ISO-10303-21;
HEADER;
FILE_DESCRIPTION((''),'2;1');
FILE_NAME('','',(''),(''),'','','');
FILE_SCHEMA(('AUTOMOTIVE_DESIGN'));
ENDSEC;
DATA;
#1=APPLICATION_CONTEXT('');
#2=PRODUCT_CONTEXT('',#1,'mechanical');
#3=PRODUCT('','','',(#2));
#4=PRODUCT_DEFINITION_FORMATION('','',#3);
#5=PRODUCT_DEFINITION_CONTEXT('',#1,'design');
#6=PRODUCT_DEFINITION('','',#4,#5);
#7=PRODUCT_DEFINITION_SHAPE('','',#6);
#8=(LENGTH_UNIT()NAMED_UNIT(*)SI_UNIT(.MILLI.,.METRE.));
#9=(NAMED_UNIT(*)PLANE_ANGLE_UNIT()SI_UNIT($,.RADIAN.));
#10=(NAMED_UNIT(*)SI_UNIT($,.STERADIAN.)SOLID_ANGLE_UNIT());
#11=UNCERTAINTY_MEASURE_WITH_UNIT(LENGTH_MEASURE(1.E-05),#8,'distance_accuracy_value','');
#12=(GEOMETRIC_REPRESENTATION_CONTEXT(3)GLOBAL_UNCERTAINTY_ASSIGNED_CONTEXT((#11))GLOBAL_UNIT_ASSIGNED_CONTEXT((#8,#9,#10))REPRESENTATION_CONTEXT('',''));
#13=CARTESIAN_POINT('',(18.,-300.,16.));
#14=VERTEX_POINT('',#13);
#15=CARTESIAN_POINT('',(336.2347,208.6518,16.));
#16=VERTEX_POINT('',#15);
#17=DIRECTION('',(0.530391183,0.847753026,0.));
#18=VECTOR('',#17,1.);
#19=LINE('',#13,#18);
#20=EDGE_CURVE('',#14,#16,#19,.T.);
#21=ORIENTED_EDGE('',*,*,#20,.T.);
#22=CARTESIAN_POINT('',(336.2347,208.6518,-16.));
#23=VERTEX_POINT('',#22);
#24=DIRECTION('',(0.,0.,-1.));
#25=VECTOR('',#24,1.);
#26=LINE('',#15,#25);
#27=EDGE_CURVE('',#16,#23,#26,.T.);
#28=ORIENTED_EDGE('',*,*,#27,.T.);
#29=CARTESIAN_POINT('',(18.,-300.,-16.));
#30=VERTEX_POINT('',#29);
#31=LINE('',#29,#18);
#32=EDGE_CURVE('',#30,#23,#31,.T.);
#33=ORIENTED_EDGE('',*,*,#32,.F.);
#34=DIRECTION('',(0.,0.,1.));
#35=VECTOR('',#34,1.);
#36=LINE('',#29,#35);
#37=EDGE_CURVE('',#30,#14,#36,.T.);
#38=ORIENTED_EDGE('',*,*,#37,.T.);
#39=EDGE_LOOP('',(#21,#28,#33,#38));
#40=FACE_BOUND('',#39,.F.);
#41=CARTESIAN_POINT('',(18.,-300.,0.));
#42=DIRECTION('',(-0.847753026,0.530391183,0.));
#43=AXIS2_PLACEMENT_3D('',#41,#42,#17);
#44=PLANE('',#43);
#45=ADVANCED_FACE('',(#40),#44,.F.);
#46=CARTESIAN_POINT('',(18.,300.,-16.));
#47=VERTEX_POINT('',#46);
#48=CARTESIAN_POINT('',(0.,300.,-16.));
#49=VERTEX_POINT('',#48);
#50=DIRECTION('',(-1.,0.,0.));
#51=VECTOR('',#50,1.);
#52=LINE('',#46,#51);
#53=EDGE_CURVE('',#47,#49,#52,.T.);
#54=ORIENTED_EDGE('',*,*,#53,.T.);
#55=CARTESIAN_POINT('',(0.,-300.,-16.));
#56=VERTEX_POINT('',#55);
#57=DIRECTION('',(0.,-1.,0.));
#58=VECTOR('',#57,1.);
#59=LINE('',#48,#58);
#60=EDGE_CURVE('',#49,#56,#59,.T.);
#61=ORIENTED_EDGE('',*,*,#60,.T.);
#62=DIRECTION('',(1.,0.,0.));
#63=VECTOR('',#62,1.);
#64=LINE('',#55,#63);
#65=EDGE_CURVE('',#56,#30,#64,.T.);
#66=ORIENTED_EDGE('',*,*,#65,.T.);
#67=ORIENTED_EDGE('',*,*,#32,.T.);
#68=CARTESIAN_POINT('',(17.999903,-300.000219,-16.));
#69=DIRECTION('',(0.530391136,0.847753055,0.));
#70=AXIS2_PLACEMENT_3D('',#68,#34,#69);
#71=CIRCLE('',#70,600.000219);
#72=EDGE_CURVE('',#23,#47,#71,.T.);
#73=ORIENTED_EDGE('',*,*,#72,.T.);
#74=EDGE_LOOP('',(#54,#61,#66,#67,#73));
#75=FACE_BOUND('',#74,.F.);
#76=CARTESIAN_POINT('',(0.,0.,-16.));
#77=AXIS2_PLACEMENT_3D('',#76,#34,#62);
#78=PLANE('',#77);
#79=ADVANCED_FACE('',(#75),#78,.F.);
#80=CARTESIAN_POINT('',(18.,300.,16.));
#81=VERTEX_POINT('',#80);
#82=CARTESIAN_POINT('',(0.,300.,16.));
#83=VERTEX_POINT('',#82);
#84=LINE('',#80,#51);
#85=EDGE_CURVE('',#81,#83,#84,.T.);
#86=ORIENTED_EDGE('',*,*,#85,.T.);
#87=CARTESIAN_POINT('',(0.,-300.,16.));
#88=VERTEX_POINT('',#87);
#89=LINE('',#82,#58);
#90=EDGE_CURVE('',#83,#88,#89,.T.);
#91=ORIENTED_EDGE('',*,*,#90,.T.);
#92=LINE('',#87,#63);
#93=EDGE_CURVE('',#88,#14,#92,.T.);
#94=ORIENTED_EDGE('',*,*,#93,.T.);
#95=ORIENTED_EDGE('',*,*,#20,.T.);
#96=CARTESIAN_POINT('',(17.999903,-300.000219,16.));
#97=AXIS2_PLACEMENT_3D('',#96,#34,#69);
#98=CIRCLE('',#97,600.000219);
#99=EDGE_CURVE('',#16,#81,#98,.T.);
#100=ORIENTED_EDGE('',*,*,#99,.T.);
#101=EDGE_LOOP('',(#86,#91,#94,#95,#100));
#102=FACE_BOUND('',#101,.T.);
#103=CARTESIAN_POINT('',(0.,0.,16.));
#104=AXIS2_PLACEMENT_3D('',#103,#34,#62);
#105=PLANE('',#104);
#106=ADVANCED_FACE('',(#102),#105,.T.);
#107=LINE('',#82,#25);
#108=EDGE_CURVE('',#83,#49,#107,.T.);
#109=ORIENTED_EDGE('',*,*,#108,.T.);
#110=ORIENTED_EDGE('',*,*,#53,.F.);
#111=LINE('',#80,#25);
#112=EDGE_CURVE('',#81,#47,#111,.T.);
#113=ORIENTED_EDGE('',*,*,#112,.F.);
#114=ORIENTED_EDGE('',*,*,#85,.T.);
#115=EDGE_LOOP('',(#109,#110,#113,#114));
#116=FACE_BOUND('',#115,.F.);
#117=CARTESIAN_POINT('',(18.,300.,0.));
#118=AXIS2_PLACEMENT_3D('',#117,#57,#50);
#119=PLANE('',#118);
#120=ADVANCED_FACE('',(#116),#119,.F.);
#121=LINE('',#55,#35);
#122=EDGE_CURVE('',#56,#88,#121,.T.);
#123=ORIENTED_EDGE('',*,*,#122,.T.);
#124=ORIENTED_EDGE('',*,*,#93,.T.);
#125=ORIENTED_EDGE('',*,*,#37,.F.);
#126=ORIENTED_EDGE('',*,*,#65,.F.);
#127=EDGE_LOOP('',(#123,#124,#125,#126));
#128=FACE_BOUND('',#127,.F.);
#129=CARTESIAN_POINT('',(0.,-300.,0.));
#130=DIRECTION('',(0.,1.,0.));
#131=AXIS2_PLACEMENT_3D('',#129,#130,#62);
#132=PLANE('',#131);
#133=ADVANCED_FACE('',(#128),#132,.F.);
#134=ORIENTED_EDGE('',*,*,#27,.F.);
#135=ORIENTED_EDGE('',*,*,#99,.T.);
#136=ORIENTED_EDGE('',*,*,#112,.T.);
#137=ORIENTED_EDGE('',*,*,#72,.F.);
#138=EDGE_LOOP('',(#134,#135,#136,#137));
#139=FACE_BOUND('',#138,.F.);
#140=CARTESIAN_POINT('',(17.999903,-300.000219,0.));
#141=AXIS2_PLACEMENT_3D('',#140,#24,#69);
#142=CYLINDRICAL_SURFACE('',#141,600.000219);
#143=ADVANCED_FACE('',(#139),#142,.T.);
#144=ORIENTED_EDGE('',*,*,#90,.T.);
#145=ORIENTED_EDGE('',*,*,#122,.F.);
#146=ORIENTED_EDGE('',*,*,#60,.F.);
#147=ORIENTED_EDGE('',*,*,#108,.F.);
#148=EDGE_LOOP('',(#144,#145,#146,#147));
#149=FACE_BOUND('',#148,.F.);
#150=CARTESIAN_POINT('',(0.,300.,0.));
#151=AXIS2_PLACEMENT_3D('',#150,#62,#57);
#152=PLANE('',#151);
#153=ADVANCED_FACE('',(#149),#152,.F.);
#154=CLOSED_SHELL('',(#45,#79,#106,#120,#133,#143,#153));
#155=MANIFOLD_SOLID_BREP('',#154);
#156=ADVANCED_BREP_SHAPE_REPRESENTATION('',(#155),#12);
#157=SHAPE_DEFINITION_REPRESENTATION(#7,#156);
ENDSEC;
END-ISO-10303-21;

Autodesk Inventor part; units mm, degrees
ref_plane "YZ Plane" through (0, 0, 0) normal (1, 0, 0) x (0, 1, 0)
ref_plane "XZ Plane" through (0, 0, 0) normal (0, 1, 0) x (-1, 0, 0)
ref_plane "XY Plane" through (0, 0, 0) normal (0, 0, 1) x (1, 0, 0)
sketch "Эскиз1" plane through (0, 0, 0) normal (0, 0, 1) x (1, 0, 0)
  line L0 (0, -300) -> (18, -300)
  line L1 (18, 300) -> (0, 300)
  line L2 (0, 300) -> (0, -300)
  arc A0 (336.2347, 208.6518) -> (18, 300) centre (18, -300) ccw
  line L3 (18, -300) -> (336.2347, 208.6518)
  point P0 (0, 0)
  dimension "d0" = 600
  dimension "d1" = 18
  dimension "d5" = 18
extrude "Выдавливание1" add sketch "Эскиз1" along normal mid plane 32
properties part number "Веер хвоста (сложенный)"
